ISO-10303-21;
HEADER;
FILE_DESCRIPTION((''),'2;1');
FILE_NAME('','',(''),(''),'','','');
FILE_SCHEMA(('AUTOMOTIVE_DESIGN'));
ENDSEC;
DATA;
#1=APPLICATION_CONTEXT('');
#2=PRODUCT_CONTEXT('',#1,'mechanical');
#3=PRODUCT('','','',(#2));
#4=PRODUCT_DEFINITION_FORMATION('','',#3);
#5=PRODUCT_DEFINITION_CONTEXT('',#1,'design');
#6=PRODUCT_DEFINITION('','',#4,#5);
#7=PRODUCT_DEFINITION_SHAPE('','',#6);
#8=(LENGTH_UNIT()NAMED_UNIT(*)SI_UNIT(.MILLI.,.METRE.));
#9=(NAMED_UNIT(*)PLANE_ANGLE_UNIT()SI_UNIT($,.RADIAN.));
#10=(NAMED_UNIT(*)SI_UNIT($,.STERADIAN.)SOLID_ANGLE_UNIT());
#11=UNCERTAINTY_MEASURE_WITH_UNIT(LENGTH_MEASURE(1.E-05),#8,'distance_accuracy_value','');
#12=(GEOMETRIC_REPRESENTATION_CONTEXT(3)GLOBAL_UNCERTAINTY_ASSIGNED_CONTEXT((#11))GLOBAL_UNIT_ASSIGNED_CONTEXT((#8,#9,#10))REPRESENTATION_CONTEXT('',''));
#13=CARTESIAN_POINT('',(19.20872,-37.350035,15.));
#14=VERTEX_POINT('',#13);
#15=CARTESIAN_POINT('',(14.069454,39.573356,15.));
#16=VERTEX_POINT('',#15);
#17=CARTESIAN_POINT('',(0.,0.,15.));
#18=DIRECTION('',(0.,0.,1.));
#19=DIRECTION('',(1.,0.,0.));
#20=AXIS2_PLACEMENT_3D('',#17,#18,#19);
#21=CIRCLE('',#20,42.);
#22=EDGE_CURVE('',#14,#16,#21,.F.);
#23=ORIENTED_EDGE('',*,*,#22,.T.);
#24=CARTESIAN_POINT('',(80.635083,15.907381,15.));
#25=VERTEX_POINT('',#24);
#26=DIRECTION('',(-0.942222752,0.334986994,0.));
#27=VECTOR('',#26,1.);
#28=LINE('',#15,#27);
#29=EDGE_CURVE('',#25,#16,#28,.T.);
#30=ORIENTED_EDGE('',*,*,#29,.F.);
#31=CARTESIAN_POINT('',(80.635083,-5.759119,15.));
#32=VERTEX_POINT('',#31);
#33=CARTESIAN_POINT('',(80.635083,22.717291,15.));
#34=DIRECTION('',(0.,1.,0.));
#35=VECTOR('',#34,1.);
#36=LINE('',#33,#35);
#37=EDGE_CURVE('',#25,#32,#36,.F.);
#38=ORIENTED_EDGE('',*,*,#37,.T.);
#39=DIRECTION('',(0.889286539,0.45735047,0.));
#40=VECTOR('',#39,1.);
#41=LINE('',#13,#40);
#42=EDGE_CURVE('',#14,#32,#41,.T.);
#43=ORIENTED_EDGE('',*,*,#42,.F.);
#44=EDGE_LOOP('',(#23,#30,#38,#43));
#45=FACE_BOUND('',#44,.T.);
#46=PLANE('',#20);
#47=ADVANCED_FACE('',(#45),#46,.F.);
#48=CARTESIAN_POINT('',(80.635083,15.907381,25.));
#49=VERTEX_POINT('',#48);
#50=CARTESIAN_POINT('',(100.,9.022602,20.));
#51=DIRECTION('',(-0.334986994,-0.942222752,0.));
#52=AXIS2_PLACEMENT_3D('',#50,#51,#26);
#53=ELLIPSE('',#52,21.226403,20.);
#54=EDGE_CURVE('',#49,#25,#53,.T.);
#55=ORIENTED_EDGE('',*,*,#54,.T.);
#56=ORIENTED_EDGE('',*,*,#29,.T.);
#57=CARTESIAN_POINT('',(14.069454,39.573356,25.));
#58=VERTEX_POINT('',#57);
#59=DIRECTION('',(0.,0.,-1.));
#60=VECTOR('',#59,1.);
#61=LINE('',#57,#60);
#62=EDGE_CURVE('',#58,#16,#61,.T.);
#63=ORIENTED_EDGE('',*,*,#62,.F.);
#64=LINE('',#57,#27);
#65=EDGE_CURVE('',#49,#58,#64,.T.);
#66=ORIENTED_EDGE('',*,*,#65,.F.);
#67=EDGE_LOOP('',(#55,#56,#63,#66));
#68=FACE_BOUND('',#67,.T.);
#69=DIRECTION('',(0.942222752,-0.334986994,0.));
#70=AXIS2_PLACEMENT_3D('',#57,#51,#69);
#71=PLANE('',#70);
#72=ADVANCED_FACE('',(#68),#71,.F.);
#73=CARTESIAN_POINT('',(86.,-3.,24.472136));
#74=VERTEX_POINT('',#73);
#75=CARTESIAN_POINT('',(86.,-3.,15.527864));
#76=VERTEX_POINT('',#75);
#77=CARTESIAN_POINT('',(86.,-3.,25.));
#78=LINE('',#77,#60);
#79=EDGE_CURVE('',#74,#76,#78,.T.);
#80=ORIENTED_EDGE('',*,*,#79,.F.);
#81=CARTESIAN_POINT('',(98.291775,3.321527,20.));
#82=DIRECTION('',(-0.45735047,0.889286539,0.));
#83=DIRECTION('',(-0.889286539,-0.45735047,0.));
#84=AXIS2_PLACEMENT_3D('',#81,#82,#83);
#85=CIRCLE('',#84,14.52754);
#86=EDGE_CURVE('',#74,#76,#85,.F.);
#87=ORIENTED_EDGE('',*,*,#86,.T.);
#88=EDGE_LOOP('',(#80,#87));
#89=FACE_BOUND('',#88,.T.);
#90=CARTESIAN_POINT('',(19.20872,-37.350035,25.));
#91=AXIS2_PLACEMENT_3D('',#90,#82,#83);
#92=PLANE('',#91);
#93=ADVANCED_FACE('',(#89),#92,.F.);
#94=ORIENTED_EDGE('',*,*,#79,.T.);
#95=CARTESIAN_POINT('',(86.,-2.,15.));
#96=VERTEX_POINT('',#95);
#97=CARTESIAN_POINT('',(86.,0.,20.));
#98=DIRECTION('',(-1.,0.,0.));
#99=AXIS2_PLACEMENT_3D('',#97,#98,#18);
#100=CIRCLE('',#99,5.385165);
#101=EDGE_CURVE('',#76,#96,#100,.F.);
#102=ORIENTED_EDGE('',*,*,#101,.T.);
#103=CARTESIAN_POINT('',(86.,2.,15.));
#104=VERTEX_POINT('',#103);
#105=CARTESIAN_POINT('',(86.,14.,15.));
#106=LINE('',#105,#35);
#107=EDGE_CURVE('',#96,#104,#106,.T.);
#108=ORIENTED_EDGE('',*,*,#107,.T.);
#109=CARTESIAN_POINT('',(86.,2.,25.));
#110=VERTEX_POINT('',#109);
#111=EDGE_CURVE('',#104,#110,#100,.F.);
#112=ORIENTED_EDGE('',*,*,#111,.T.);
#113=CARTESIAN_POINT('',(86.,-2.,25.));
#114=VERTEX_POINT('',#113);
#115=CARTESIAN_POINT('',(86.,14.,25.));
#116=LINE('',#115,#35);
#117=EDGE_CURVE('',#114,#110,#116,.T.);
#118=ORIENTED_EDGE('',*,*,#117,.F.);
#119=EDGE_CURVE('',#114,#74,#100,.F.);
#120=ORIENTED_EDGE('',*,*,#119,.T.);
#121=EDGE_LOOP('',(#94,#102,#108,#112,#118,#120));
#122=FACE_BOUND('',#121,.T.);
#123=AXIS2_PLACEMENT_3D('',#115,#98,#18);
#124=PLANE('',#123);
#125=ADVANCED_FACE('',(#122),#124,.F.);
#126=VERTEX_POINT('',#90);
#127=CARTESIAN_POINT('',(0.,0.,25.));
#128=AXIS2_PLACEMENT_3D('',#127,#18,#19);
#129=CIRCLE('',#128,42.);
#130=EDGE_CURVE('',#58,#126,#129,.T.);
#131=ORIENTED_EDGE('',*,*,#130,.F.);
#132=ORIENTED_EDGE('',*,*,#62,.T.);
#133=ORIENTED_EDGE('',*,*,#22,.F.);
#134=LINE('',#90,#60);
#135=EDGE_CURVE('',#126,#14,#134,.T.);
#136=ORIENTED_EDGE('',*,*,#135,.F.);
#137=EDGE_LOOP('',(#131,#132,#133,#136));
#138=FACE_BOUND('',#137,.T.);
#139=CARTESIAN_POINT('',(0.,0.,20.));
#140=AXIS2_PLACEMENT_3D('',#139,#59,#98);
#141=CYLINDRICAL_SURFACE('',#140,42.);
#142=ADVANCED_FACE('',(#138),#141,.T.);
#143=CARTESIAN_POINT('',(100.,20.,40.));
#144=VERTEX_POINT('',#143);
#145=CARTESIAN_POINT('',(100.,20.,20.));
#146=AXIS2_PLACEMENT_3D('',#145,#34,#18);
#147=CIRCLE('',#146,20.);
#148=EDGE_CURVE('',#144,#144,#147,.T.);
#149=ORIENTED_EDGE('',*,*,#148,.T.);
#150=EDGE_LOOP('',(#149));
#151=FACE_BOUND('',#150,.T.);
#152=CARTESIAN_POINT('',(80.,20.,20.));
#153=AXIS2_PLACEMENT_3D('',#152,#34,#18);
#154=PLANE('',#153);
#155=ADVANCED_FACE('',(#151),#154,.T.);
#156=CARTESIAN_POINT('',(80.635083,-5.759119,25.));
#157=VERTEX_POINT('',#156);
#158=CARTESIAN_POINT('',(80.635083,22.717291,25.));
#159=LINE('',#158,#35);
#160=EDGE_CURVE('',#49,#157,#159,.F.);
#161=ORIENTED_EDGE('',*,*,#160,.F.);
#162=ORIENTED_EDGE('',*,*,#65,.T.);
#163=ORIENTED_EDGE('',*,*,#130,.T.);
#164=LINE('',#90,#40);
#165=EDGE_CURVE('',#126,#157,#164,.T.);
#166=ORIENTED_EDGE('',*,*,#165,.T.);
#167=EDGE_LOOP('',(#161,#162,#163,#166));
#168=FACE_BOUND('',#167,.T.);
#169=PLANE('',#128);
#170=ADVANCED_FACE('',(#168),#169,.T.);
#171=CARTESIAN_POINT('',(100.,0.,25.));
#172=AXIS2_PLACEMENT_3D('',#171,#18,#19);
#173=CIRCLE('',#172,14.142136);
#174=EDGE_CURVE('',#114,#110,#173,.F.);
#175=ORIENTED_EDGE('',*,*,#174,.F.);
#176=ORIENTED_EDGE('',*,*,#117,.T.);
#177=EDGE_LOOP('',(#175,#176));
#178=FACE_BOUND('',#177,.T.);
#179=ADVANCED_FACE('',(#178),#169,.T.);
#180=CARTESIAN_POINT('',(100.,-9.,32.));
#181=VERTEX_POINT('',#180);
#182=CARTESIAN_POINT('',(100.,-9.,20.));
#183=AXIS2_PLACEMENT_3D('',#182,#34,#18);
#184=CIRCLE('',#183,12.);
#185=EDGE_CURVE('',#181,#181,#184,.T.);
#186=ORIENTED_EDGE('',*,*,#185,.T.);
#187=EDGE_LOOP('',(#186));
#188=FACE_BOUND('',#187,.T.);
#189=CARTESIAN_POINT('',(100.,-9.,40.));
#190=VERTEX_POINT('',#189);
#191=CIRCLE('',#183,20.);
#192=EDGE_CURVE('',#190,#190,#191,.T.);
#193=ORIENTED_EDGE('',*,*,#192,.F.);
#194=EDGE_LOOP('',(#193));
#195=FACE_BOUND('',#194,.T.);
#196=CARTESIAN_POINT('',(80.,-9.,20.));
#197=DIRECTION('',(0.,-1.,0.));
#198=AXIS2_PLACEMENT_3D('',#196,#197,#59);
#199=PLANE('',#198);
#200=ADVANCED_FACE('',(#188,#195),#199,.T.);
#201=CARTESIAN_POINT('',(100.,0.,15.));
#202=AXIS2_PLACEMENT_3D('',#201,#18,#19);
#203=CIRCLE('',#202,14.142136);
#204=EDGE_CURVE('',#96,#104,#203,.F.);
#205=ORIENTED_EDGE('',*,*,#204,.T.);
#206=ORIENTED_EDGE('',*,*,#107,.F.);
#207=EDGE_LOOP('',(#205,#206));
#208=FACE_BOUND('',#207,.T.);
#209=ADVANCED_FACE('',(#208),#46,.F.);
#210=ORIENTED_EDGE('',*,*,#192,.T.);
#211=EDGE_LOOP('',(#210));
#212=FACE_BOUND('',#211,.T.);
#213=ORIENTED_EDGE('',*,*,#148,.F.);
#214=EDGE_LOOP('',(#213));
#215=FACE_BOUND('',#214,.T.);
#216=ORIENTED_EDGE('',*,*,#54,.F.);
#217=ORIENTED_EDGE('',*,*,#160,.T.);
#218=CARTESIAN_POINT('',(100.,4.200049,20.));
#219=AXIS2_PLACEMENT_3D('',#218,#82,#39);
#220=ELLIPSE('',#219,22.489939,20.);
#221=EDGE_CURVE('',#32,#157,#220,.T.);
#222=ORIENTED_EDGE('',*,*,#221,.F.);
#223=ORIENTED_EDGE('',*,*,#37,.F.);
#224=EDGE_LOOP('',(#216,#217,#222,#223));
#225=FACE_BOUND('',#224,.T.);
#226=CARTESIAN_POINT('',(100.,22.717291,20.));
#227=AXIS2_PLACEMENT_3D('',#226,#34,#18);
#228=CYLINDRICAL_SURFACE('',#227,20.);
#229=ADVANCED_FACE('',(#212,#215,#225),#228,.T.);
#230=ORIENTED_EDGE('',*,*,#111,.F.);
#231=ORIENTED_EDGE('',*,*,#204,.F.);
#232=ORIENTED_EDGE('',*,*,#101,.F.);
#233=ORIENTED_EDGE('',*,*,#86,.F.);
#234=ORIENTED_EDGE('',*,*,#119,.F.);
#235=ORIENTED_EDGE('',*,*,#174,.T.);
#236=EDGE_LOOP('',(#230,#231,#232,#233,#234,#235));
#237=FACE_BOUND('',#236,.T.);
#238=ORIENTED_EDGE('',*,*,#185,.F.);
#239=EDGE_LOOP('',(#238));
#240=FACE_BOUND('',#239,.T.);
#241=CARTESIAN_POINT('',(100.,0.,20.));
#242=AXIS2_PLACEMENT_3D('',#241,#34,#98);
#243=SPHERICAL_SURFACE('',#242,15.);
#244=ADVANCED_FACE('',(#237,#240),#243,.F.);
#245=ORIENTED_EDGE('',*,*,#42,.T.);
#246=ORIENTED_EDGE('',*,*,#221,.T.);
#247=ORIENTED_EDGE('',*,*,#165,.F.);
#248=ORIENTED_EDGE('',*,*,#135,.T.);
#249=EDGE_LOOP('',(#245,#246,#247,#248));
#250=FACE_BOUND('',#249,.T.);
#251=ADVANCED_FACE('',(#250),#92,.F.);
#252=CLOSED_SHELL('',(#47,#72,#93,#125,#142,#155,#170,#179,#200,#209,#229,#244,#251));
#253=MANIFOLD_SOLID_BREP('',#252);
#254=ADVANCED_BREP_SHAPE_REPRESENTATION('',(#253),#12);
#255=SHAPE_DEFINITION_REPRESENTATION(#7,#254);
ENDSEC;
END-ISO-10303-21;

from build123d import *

# Parameters (mm, degrees)
SKETCH_1_R          = 42
EXTRUDE_1_DEPTH     = 20
EXTRUDE_2_DEPTH     = 5
SKETCH_4_R          = 42
CUT_EXTRUDE_1_DEPTH = 15


with BuildPart() as part:
    # 草图1 → 凸台-拉伸1 (new body)
    with BuildSketch(Plane.XY):
        Circle(SKETCH_1_R)
    extrude(amount=EXTRUDE_1_DEPTH)



with BuildPart() as body_2:
    # 草图2 → 旋转1 (revolve)
    with BuildSketch(Plane.XY.offset(20), mode=Mode.PRIVATE) as revolve_1_sk:
        with BuildLine():
            Line((100, 20), (100, 15))
            ThreePointArc((100, 15), (86.583592135, 6.708203932), (88, -9))
            Line((88, -9), (80, -9))
            Line((80, -9), (80, 20))
            Line((80, 20), (100, 20))
        make_face()
    revolve(revolve_1_sk.sketch.rotate(Axis((100, 22.717290725, 20), (0, -1, 0)), 270), axis=Axis((100, 22.717290725, 20), (0, -1, 0)))


with BuildPart() as part_1:
    add(part.part)

    add(body_2.part)  # 凸台-拉伸2 merges body 2
    # 草图3 → 凸台-拉伸2 (add, symmetric)
    with BuildSketch(Plane.XY.offset(20)):
        with BuildLine():
            Line((14.069453744, 39.573355574), (86, 14))
            Line((86, 14), (86, -3))
            Line((86, -3), (19.208719722, -37.350034627))
            ThreePointArc((19.208719722, -37.350034627), (-41.906577017, -2.79978619), (14.069453744, 39.573355574))
        make_face()
    extrude(amount=EXTRUDE_2_DEPTH, both=True)

    # 草图4 → 切除-拉伸1 (cut)
    with BuildSketch(Plane(origin=(0, 0, 0), x_dir=(-1, 0, 0), z_dir=(0, 0, -1))):
        Circle(SKETCH_4_R)
    extrude(amount=-CUT_EXTRUDE_1_DEPTH, mode=Mode.SUBTRACT)


solid = part_1.part
